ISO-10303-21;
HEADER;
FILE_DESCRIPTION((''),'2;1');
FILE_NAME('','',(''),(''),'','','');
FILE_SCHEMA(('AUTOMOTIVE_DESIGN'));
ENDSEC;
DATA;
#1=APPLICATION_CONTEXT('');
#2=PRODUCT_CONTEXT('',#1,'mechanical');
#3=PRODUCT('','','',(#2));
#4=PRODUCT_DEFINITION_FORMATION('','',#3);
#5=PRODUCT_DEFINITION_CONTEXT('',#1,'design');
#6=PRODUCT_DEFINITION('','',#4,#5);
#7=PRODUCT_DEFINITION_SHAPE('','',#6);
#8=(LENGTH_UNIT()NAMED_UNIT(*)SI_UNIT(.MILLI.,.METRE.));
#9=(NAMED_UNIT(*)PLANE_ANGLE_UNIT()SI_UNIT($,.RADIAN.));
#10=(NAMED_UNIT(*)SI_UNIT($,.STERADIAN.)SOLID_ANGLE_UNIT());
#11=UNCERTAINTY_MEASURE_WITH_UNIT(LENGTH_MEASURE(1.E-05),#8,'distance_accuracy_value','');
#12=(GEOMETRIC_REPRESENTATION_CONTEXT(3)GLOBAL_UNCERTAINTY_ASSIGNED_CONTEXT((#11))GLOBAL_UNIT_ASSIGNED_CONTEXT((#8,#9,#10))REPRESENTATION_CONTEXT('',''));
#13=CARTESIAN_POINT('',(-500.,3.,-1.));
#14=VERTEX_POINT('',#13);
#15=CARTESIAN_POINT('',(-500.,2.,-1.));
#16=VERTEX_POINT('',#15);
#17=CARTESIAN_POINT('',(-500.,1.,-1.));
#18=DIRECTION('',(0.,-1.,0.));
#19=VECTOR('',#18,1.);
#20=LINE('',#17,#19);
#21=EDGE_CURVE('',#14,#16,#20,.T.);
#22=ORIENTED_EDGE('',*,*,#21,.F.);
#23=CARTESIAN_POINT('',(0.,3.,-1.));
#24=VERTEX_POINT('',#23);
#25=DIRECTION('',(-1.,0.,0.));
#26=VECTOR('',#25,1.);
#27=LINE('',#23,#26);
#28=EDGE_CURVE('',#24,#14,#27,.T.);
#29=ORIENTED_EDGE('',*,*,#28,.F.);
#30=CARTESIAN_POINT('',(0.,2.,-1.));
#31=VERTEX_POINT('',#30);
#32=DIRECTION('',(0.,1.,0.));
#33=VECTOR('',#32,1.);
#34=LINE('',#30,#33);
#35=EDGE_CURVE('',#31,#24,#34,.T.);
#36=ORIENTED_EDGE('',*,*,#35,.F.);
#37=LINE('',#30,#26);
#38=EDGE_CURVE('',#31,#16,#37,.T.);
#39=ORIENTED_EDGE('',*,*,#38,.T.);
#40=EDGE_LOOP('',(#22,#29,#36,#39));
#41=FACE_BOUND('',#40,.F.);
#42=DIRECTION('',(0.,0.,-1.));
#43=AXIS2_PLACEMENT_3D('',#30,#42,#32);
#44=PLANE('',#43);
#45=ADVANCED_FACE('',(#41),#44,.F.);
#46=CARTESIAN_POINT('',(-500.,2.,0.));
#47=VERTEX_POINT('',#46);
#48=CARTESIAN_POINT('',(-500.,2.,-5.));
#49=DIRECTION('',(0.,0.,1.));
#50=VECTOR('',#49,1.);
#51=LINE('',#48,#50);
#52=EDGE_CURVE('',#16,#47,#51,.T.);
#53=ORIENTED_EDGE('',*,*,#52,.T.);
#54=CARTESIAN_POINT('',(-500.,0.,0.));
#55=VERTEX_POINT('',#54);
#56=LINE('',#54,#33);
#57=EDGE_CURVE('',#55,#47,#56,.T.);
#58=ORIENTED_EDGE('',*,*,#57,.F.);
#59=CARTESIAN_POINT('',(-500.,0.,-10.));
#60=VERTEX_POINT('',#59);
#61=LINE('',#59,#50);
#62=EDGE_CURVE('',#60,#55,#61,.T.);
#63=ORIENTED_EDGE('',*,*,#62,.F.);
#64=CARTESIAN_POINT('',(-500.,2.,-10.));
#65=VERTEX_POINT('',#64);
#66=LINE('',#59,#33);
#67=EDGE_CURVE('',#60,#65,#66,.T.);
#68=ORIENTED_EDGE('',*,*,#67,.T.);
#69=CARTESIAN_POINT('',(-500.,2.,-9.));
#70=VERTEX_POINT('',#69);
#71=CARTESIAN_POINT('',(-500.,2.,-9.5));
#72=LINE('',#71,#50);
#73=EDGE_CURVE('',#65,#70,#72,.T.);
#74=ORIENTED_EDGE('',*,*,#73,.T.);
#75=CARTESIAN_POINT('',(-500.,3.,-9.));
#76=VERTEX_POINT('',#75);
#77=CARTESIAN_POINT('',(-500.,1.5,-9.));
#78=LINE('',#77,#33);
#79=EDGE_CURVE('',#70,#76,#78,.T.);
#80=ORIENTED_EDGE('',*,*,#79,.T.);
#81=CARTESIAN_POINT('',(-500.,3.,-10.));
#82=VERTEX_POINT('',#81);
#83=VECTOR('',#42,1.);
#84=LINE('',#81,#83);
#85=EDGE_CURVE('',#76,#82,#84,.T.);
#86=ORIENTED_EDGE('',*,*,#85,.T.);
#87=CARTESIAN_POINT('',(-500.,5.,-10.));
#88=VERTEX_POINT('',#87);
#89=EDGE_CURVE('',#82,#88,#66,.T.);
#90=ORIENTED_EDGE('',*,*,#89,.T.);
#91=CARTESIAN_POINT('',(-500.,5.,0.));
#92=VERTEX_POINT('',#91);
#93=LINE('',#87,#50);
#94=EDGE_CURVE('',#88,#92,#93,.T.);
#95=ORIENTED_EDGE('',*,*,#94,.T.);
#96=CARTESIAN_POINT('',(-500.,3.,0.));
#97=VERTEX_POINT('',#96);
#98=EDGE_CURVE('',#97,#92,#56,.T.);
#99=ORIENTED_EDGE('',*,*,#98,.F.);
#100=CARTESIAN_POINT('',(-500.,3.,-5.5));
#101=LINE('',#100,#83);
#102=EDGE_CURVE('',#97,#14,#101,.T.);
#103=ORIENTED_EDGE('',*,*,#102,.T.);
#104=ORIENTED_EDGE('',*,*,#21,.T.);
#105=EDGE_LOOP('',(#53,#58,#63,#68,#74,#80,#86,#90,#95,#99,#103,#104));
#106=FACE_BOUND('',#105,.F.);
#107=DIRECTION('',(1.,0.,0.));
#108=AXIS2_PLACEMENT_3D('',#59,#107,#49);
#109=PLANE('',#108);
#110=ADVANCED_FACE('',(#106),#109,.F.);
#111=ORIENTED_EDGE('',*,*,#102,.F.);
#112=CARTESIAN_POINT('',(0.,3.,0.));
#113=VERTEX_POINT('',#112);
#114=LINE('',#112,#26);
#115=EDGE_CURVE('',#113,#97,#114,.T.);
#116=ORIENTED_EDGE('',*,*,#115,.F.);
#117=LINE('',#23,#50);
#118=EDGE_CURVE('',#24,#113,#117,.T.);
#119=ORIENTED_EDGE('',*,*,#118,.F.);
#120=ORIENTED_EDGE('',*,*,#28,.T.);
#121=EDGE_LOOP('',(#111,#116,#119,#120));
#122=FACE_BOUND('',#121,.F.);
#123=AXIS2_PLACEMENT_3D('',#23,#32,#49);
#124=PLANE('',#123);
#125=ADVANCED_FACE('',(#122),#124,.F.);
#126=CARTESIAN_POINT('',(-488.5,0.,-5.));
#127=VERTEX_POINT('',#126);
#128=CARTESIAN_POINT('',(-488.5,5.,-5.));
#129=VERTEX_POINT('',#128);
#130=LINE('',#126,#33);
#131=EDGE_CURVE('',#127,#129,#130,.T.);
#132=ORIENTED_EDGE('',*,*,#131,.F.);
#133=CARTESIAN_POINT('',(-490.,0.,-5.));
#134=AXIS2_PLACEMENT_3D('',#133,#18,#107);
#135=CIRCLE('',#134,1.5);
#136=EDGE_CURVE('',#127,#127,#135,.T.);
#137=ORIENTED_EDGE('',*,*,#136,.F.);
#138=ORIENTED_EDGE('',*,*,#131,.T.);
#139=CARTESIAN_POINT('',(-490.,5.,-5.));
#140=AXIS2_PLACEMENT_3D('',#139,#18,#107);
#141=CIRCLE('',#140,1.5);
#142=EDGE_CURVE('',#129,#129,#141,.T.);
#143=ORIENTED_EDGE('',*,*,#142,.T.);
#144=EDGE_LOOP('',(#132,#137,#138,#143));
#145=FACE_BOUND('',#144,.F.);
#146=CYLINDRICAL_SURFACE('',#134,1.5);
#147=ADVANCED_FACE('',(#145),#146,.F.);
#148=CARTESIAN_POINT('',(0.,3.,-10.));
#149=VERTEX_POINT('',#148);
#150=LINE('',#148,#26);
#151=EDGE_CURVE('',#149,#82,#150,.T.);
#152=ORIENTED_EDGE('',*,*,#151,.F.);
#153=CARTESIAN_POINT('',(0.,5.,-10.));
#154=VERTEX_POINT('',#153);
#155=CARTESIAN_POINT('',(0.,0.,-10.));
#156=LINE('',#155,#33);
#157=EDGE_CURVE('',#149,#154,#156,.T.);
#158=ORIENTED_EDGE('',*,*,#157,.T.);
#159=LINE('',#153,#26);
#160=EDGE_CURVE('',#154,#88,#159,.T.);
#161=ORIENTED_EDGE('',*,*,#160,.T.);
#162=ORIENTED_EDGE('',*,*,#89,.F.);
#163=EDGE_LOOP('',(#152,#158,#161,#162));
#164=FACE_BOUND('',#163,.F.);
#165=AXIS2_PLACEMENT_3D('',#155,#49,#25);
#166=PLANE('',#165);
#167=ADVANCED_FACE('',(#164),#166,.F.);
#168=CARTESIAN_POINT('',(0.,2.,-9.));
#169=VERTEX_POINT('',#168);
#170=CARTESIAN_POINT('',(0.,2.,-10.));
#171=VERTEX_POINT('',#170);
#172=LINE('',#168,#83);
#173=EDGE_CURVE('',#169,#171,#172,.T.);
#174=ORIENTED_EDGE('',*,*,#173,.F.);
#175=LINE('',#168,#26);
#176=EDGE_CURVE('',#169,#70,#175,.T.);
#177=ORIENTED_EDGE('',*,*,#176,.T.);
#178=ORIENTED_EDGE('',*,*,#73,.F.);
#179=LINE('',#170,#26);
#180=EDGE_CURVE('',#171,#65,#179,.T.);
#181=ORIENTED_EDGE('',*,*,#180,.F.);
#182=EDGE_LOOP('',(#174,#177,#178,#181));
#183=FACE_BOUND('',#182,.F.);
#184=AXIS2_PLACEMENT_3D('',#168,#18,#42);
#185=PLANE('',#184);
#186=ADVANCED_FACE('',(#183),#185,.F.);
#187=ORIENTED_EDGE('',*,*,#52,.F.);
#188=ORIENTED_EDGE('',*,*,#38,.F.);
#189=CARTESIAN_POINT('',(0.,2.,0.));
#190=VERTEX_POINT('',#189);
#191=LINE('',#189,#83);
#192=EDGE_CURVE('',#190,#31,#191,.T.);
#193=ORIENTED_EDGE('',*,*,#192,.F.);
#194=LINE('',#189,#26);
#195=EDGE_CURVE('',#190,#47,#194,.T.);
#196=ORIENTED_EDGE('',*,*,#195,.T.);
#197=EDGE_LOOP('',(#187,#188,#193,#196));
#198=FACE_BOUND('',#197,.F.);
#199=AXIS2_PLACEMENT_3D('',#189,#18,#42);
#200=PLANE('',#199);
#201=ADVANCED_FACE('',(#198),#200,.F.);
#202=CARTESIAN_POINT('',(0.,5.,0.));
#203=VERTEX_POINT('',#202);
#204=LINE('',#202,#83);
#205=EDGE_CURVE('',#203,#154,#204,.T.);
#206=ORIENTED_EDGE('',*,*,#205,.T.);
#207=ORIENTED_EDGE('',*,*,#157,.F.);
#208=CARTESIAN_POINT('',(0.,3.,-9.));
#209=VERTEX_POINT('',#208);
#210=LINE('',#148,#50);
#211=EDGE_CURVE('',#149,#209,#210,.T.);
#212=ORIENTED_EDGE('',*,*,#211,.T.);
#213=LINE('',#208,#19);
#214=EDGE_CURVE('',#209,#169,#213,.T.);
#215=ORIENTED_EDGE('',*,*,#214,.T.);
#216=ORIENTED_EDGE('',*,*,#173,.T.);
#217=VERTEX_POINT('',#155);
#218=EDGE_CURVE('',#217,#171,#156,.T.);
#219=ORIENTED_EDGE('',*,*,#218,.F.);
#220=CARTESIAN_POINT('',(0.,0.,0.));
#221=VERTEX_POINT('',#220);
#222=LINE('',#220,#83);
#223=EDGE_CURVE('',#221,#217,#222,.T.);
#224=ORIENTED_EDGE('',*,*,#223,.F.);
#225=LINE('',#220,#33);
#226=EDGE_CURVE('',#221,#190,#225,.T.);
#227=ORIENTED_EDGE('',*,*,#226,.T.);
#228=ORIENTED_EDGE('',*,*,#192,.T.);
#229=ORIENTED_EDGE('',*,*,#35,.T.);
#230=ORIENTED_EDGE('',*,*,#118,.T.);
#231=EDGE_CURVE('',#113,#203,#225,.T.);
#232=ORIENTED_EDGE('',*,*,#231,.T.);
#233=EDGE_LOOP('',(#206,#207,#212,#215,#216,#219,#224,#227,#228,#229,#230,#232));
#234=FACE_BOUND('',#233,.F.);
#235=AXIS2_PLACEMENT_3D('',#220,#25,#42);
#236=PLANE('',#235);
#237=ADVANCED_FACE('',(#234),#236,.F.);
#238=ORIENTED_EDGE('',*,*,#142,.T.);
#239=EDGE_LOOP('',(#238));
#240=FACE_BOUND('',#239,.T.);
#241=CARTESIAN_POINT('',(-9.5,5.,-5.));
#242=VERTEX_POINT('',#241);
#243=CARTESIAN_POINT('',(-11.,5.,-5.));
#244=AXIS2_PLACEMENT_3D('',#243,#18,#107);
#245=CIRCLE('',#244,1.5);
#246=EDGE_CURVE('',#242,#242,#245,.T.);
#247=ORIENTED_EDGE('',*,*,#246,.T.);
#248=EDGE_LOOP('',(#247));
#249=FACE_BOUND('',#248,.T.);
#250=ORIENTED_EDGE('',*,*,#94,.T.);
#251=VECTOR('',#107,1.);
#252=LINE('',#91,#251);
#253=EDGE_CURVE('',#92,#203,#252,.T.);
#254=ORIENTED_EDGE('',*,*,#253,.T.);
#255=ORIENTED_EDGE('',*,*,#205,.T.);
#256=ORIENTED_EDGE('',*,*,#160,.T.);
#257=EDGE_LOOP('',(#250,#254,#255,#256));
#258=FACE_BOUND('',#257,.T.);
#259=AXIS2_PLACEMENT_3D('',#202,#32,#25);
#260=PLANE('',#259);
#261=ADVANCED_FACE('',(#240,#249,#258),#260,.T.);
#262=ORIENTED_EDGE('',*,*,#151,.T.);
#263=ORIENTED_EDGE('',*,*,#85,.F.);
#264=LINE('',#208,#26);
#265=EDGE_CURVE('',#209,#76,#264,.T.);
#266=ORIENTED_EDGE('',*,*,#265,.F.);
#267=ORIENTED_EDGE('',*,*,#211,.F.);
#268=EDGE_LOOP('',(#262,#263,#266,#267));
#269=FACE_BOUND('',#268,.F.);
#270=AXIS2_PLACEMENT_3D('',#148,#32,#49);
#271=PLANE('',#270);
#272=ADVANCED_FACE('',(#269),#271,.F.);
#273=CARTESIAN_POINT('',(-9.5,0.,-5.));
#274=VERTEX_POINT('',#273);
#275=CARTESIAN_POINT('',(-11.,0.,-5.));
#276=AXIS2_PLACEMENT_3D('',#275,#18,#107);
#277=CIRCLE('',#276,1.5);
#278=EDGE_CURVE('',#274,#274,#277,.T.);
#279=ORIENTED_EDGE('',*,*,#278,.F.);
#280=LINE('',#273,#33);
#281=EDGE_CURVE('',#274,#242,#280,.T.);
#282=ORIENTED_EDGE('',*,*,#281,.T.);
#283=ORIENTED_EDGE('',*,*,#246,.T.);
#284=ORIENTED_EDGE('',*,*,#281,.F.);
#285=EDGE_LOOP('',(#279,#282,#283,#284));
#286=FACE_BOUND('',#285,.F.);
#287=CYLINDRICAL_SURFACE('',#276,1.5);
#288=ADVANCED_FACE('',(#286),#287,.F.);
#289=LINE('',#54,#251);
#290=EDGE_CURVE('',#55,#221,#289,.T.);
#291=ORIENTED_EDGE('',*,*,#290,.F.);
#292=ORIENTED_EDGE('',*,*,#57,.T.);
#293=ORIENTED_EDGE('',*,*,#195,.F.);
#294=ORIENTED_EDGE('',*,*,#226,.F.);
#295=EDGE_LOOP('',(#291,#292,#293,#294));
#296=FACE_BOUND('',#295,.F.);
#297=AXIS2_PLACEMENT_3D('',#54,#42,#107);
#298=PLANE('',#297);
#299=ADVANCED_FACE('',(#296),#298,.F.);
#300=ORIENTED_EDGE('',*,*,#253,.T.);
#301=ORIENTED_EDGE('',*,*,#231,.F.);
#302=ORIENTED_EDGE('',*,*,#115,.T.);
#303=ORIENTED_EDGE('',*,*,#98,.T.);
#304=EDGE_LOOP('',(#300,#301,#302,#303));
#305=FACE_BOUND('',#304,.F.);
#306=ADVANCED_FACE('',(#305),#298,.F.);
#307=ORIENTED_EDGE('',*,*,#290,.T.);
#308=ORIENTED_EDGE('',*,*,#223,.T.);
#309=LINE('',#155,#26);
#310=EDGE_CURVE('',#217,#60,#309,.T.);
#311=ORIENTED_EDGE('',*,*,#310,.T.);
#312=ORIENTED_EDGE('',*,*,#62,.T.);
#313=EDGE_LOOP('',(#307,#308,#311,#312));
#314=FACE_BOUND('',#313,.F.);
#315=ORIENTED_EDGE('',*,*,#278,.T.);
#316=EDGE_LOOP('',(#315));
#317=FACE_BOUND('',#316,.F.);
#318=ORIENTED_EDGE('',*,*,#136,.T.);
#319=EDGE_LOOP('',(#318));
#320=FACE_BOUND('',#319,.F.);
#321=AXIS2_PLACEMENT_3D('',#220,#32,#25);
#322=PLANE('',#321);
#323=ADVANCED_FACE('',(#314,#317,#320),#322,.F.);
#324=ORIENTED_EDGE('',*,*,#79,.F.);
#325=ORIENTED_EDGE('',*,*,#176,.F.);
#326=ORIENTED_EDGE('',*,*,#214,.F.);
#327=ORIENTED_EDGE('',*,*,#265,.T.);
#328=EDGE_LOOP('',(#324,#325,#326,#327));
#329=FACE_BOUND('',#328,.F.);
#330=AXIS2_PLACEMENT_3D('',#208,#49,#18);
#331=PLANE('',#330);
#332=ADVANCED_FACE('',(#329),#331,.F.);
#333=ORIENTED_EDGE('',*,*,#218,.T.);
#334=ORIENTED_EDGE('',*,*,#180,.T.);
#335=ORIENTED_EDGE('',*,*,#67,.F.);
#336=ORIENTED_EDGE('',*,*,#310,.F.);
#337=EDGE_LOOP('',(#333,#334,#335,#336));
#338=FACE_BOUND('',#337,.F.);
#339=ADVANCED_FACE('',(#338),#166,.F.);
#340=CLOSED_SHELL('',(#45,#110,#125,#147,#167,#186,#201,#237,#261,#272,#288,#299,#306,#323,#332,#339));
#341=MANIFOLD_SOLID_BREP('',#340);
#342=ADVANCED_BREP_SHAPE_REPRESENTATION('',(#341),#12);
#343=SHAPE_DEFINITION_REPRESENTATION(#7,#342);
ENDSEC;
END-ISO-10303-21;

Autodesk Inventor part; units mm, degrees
ref_plane "YZ Plane" through (0, 0, 0) normal (1, 0, 0) x (0, 1, 0)
ref_plane "XZ Plane" through (0, 0, 0) normal (0, 1, 0) x (-1, 0, 0)
ref_plane "XY Plane" through (0, 0, 0) normal (0, 0, 1) x (1, 0, 0)
sketch "Sketch1" plane through (0, 0, 0) normal (0, 1, 0) x (-1, 0, 0)
  line L0 (0, 0) -> (0, -10)
  line L1 (0, -10) -> (500, -10)
  line L2 (500, -10) -> (500, 0)
  line L3 (500, 0) -> (0, 0)
  dimension "d0" = 10
  dimension "d1" = 500
  dimension "d2" = 500
extrude "Extrusion1" add sketch "Sketch1" along normal blind 5
sketch "Sketch5" plane through (0, 0, 0) normal (1, 0, 0) x (0, 0, -1)
  line L0 (1, 3) -> (0, 3)
  line L1 (0, 3) -> (0, 2)
  line L2 (0, 2) -> (1, 2)
  line L3 (1, 2) -> (1, 3)
  line L4 (10, 3) -> (9, 3)
  line L5 (9, 3) -> (9, 2)
  line L6 (9, 2) -> (10, 2)
  line L7 (10, 2) -> (10, 3)
  line L8 (10, 0) -> (10, 5) projected
  line L9 (0, 0) -> (0, 5) projected
  point P0 (10, 2.5)
  point P1 (0, 2.5)
  point P2 (10, 2.5)
  point P3 (0, 2.5)
  dimension "d33" = 1
  dimension "d34" = 1
  dimension "d35" = 1
  dimension "d36" = 1
  dimension "d37" = 1
  dimension "d38" = 1
  dimension "d39" = 1
extrude "Extrusion2" cut sketch "Sketch5" against normal up to next
sketch "Sketch7" plane through (0, 0, 0) normal (0, -1, 0) x (1, 0, 0)
  circle A0 centre (-11, -5) radius 1.5
  circle A1 centre (-490, -5) radius 1.5
  line L0 (-500, -10) -> (-500, 0) projected
  point P0 (0, 0)
  dimension "d42" = 3
  dimension "d43" = 3
  dimension "d44" = 479
  dimension "d45" = 10
extrude "Extrusion3" cut sketch "Sketch7" against normal up to next
sketch "Sketch2" plane through (0, 0, 0) normal (0, -1, 0) x (1, 0, 0)
  point P0 (-485, -5)
sketch "Sketch3" plane through (0, 0, 0) normal (0, -1, 0) x (1, 0, 0)
  point P0 (-15, -5)
properties part number "relsa2" material "Brass, Soft Yellow"
